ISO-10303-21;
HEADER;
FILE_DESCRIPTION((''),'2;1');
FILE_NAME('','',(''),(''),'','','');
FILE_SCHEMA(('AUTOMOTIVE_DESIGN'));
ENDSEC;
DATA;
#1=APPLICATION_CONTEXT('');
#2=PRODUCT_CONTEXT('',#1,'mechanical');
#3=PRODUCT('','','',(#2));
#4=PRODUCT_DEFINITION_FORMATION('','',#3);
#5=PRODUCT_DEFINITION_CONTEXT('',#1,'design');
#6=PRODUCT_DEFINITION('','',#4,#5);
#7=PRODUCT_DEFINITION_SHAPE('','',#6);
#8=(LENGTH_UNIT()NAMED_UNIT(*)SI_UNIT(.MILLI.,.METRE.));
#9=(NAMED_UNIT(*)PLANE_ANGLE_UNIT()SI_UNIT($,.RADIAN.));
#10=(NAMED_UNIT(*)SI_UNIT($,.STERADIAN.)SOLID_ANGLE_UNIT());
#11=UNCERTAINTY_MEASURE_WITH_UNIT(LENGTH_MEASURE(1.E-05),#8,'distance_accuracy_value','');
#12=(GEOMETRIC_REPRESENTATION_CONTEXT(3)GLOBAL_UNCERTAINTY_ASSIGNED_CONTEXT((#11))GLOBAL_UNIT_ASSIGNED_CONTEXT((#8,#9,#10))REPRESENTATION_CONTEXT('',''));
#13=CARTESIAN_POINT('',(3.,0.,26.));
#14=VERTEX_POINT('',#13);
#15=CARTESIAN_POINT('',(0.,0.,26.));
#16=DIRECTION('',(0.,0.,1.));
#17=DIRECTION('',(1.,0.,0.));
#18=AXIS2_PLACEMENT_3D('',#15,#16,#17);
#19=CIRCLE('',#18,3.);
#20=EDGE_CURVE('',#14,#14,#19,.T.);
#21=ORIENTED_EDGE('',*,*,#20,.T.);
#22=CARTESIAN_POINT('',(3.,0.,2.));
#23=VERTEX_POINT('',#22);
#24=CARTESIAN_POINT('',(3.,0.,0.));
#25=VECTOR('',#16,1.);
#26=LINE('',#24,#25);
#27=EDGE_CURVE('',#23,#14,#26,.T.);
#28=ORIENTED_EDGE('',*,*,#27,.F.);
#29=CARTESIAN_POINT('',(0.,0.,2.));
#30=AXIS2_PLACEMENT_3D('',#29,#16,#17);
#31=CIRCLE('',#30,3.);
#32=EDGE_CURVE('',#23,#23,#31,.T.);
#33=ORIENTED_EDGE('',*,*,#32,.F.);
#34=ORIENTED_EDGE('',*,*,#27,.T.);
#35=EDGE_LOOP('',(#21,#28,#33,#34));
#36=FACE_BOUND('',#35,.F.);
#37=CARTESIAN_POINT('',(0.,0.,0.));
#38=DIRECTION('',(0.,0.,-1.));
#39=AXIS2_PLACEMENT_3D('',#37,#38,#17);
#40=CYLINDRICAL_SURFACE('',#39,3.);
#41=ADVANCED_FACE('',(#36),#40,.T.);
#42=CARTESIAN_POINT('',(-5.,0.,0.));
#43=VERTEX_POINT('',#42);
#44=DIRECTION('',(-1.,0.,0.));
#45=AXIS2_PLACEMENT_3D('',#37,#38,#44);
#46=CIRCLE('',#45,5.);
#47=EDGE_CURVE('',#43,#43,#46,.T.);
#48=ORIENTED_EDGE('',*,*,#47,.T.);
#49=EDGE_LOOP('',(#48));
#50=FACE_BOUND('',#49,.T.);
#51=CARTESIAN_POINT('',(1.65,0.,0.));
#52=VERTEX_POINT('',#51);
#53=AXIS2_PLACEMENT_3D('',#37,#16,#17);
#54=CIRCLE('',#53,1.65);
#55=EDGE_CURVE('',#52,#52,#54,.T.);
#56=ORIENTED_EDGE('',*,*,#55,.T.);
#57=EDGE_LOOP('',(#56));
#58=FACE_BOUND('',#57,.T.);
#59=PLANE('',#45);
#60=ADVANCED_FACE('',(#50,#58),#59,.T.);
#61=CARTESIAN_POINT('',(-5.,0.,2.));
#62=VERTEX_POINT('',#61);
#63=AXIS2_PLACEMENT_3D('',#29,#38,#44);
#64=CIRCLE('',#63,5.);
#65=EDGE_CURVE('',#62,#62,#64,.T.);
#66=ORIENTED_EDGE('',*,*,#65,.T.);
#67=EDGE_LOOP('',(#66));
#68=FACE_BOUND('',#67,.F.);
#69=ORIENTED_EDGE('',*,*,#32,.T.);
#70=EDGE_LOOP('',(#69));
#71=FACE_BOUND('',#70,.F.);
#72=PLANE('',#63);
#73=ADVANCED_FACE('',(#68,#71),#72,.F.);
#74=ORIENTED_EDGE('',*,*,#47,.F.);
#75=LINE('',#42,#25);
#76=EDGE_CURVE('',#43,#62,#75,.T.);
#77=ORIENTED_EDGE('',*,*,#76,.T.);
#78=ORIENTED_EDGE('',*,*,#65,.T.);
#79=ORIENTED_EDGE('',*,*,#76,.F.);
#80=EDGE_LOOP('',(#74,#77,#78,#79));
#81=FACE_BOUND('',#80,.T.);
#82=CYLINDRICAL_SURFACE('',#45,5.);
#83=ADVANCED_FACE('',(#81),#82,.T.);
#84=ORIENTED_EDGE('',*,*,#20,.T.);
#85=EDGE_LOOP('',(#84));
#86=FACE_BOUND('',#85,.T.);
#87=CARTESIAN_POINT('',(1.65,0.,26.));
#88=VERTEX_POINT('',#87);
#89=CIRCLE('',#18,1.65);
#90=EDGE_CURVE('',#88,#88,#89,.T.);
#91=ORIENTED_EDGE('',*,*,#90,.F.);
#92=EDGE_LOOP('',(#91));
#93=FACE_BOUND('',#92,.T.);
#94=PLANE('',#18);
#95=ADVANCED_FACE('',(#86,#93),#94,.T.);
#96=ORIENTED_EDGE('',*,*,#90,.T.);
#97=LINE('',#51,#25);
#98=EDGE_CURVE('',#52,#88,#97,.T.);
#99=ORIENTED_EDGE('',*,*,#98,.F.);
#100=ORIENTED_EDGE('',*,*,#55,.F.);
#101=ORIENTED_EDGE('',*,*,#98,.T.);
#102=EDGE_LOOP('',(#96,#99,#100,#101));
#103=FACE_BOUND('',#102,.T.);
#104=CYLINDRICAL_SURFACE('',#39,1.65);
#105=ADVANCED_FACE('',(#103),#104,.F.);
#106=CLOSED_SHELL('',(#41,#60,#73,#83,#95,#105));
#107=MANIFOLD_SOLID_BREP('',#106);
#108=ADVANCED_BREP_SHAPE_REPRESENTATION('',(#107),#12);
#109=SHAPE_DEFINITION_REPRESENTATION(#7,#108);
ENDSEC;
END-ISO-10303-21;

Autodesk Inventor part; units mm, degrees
ref_plane "YZ Plane" through (0, 0, 0) normal (1, 0, 0) x (0, 1, 0)
ref_plane "XZ Plane" through (0, 0, 0) normal (0, 1, 0) x (-1, 0, 0)
ref_plane "XY Plane" through (0, 0, 0) normal (0, 0, 1) x (1, 0, 0)
sketch "Sketch1" plane through (0, 0, 0) normal (0, 0, 1) x (1, 0, 0)
  circle A0 centre (0, 0) radius 1.65
  circle A1 centre (0, 0) radius 3
  dimension "d0" = 3.3
  dimension "d1" = 6
extrude "Extrusion1" add sketch "Sketch1" along normal blind 26
sketch "Sketch2" plane through (0, 0, 0) normal (0, 0, -1) x (-1, 0, 0)
  circle A0 centre (0, 0) radius 3 projected
  circle A1 centre (0, 0) radius 5
  dimension "d4" = 10
extrude "Extrusion2" add sketch "Sketch2" against normal blind 2
properties part number "spacer stepperM"
